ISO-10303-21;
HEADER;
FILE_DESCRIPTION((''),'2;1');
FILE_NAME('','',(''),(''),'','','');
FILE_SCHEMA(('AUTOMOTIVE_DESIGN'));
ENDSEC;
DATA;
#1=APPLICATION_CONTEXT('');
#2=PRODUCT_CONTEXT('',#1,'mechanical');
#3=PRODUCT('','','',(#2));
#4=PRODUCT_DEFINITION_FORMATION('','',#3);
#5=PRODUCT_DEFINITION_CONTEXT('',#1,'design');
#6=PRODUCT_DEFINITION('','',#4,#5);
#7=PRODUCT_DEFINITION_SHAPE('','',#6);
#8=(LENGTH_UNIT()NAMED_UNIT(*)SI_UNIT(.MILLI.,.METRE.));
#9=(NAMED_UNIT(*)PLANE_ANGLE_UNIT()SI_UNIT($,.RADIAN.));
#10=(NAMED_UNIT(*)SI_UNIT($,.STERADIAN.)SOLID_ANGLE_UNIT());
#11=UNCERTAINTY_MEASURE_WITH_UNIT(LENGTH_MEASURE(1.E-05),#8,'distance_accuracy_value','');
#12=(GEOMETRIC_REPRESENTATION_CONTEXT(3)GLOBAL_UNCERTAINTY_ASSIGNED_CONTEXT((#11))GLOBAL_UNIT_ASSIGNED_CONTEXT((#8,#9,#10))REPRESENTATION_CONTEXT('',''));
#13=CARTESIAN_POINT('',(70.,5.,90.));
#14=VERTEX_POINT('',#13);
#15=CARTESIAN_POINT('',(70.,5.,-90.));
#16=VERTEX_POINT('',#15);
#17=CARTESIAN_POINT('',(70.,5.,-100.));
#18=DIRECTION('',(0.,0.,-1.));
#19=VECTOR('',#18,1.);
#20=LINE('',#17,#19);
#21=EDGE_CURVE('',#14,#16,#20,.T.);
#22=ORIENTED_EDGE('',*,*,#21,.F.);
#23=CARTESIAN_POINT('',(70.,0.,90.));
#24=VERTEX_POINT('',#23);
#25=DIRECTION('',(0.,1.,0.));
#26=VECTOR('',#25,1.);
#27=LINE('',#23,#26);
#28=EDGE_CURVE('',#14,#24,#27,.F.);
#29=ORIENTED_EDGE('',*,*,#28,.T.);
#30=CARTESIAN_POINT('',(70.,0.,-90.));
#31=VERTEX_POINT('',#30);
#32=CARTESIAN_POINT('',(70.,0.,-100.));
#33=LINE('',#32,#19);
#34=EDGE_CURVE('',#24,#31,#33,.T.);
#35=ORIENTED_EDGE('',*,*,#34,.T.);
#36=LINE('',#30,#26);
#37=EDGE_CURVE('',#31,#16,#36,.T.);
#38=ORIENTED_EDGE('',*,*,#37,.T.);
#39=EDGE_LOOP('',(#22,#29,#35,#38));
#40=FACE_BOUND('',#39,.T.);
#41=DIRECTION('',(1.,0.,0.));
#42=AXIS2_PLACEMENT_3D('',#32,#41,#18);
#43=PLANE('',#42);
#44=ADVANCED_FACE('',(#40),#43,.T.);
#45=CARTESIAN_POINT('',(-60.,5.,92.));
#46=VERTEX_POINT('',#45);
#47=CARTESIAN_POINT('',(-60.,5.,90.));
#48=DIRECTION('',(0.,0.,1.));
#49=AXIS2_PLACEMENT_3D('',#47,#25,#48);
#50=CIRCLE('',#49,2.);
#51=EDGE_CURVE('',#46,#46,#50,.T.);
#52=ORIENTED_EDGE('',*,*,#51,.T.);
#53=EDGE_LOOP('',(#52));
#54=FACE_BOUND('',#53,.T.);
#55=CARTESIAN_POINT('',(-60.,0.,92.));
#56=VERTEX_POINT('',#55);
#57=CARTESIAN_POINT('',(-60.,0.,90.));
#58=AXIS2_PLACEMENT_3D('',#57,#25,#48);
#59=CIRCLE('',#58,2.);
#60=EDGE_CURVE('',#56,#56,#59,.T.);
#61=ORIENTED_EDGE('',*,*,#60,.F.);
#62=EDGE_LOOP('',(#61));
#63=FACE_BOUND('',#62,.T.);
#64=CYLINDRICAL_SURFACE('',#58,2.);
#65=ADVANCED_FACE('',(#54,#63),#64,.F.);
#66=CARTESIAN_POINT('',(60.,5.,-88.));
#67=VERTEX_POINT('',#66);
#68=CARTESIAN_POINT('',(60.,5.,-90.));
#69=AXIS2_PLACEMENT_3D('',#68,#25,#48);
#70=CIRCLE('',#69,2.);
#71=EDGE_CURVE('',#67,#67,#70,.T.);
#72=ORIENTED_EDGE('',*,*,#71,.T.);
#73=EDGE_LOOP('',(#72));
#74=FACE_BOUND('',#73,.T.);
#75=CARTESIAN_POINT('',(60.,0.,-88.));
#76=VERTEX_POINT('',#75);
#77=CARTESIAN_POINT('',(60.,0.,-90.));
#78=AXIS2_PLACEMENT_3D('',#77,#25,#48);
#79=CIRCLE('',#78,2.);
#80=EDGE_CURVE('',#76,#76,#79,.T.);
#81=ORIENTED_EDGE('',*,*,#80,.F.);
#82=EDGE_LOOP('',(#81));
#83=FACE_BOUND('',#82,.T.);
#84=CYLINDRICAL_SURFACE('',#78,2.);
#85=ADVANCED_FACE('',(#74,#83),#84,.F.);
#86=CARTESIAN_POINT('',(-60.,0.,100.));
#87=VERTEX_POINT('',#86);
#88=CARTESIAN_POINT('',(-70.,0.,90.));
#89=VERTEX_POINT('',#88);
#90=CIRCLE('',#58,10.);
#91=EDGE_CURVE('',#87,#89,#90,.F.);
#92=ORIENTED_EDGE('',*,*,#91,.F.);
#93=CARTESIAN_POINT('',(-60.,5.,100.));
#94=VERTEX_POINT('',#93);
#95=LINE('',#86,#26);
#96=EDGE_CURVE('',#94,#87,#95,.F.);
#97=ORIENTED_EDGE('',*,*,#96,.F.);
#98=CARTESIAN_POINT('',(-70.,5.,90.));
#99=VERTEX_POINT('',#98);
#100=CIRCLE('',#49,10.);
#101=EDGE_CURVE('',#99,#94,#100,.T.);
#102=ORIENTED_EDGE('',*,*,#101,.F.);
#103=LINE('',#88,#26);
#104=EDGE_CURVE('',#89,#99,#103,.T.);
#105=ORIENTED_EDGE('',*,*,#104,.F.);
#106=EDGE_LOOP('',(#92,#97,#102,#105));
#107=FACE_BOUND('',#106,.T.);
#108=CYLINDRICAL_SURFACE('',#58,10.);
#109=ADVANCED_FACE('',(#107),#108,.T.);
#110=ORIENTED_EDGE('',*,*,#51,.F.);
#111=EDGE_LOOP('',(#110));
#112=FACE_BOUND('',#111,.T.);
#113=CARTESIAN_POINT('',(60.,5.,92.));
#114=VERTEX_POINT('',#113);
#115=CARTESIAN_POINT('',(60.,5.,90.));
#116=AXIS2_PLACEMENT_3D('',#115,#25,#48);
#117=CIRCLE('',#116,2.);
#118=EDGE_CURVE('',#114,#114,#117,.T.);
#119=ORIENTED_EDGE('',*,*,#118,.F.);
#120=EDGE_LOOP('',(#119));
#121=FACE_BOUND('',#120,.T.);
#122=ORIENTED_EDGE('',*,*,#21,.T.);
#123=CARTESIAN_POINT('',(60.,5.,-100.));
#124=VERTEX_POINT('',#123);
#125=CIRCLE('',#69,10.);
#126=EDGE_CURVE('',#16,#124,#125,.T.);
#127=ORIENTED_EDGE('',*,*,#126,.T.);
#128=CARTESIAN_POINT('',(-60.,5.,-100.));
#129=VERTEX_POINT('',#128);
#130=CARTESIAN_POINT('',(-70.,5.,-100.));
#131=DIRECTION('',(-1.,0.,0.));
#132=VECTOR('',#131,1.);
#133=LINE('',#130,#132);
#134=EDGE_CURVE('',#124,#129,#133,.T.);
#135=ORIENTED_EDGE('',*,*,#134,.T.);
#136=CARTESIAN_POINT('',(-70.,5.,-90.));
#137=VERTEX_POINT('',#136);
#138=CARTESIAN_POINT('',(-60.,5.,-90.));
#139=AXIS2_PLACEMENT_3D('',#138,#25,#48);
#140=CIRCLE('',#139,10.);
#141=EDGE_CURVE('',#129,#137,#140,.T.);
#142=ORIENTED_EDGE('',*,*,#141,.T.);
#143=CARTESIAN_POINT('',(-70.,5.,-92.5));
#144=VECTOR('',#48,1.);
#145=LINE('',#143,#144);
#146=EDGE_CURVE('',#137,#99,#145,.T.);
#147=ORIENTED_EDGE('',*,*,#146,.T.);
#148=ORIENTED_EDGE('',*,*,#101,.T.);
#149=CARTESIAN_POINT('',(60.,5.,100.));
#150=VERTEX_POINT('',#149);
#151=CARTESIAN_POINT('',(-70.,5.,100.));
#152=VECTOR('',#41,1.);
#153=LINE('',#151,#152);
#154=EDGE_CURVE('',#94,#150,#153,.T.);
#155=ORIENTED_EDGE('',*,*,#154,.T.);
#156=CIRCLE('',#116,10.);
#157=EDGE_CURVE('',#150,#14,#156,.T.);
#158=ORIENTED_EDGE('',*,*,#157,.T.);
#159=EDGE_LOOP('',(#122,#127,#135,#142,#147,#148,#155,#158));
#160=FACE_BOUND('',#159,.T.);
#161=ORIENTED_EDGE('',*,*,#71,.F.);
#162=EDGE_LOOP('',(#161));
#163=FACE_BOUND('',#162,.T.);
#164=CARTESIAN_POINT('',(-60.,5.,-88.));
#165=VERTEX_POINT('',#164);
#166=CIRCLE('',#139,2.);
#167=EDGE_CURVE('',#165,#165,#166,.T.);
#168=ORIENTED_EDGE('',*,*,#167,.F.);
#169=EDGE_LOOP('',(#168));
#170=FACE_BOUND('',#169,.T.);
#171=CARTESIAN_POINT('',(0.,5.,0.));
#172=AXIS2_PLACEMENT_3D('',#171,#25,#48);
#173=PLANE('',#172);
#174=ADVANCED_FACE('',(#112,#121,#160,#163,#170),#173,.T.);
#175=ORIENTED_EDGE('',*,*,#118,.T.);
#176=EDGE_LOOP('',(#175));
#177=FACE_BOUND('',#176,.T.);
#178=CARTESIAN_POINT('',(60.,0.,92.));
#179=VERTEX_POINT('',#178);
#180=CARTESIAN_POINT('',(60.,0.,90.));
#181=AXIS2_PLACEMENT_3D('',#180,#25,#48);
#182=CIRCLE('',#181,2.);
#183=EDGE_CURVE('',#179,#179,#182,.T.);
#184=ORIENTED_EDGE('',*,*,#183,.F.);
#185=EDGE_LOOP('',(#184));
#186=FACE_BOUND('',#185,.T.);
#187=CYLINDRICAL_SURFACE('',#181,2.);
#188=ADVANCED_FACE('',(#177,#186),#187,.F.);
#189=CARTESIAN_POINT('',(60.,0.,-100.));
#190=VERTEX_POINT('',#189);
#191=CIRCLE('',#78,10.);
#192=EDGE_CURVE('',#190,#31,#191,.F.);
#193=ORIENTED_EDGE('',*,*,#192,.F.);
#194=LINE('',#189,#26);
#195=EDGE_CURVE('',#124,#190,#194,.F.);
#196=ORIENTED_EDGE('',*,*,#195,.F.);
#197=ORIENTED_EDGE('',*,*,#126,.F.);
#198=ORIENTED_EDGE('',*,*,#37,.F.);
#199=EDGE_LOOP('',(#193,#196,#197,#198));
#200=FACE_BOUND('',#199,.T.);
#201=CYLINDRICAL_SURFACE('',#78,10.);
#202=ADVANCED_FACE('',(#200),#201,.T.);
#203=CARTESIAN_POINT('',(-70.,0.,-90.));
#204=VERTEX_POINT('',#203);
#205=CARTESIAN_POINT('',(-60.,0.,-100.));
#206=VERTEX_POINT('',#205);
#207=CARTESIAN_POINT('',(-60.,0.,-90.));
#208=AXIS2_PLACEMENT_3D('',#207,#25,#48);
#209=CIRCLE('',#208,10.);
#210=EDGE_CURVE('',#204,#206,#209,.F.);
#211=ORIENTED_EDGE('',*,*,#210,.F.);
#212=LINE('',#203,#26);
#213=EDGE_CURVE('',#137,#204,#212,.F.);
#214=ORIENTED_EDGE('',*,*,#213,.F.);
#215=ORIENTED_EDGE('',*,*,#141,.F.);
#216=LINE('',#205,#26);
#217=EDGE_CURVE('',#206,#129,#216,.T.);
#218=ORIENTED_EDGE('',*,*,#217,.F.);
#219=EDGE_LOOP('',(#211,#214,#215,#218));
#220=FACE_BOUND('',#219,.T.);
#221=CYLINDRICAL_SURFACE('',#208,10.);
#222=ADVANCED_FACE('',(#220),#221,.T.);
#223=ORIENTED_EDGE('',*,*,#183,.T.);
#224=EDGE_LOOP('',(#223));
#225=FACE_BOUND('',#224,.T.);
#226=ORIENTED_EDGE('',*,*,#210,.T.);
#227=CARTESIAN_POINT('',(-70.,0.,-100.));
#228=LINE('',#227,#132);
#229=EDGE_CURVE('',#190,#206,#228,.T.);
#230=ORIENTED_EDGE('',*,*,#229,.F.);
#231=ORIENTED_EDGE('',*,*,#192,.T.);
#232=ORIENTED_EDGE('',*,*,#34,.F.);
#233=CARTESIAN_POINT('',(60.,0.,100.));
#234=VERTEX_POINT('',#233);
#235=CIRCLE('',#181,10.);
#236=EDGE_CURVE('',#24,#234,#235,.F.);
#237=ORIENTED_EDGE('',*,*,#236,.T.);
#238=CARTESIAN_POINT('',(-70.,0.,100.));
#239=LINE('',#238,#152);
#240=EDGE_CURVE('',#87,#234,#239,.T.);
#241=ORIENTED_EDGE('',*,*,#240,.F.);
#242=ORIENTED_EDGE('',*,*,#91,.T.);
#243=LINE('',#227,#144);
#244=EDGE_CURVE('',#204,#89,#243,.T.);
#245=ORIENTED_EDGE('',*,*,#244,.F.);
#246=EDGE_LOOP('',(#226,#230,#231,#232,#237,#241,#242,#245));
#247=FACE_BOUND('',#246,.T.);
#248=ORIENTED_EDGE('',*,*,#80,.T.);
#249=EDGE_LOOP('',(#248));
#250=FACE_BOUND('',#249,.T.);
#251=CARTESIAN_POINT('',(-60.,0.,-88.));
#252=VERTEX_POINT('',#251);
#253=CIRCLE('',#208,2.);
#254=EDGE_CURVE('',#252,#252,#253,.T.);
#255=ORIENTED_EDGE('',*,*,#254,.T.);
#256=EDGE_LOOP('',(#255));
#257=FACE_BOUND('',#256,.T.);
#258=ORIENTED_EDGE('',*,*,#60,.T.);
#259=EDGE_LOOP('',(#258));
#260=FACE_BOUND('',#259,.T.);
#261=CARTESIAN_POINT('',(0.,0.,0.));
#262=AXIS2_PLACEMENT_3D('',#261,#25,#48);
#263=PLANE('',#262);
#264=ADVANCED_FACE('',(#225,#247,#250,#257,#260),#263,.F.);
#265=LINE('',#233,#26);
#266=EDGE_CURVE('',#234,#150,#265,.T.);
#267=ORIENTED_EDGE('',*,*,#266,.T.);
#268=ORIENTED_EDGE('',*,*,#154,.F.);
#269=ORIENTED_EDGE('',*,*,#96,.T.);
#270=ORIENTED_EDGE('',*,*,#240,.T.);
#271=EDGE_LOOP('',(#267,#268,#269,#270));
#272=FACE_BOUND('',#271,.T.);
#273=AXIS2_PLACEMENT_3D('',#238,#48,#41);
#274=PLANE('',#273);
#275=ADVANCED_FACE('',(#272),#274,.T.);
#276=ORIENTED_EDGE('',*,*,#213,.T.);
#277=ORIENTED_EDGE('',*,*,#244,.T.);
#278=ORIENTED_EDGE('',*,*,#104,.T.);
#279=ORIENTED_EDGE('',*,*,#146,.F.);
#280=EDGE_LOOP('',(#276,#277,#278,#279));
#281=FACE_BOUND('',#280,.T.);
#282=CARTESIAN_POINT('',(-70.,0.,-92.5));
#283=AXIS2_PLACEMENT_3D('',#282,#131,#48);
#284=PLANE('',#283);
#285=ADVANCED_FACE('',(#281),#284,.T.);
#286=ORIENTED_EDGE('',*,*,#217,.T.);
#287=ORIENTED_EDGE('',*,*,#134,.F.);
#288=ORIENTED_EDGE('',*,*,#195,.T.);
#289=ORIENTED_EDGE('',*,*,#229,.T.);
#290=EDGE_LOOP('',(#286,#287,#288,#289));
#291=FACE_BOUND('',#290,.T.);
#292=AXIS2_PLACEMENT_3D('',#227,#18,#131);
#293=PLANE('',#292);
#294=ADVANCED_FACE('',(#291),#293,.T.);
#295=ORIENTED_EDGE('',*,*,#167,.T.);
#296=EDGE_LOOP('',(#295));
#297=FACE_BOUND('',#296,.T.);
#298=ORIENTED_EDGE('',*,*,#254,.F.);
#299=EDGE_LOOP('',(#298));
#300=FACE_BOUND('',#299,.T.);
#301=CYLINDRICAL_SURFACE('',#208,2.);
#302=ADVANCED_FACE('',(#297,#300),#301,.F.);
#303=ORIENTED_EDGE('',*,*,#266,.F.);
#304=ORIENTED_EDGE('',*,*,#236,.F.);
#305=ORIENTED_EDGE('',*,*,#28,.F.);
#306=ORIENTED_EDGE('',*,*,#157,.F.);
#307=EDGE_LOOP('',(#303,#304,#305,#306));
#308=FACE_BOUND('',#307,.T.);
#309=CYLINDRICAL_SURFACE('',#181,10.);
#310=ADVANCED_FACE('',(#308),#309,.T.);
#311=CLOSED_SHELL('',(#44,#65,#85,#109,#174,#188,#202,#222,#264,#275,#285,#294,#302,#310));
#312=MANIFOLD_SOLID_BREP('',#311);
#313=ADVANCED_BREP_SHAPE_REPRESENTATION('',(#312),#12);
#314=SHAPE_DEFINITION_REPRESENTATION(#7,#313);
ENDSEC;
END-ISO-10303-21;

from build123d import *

# Parameters (mm, degrees)
SKETCH_1_W               = 180
SKETCH_1_H               = 180
EXTRUDE_1_DEPTH          = 5
SKETCH_2_W               = 180
SKETCH_2_H               = 2.5
EXTRUDE_2_DEPTH          = 5
CUT_EXTRUDE_1_DEPTH      = 130.155913531
CUT_EXTRUDE_1_DEPTH_BACK = 130.155913531
SKETCH_3_R               = 2.65
SKETCH_3_W               = 12.5
SKETCH_3_H               = 182.5
SKETCH_4_W               = 167.5
SKETCH_4_H               = 2.5
EXTRUDE_3_DEPTH          = 5
FILLET_1_R               = 10
SKETCH_5_R               = 5.825636989
EXTRUDE_4_DEPTH          = 5
CUT_EXTRUDE_2_DEPTH      = 130.155913531
CUT_EXTRUDE_2_DEPTH_BACK = 130.155913531
SKETCH_6_R               = 1.5
EXTRUDE_5_DEPTH          = 5
CUT_EXTRUDE_3_DEPTH      = 135.629120178
CUT_EXTRUDE_3_DEPTH_BACK = 135.629120178
FILLET_2_R               = 10
CUT_EXTRUDE_4_DEPTH      = 123.167917229
CUT_EXTRUDE_4_DEPTH_BACK = 123.167917229
SKETCH_9_R               = 2


with BuildPart() as part:
    # 草图1 → 凸台-拉伸1 (new body)
    with BuildSketch(Plane(origin=(0, 0, 0), x_dir=(1, 0, 0), z_dir=(0, 1, 0))):
        Rectangle(SKETCH_1_W, SKETCH_1_H)
    extrude(amount=EXTRUDE_1_DEPTH)

    # 草图2 → 凸台-拉伸2 (add)
    with BuildSketch(Plane(origin=(0, 5, 0), x_dir=(1, 0, 0), z_dir=(0, 1, 0))):
        with Locations((0, 91.25)):
            Rectangle(SKETCH_2_W, SKETCH_2_H)
    extrude(amount=-EXTRUDE_2_DEPTH)

    # 草图3 → 切除-拉伸1 (cut, two sides: drawn at the far end of the back side and taken through both)
    with BuildSketch(Plane(origin=(0, 5, 0), x_dir=(1, 0, 0), z_dir=(0, 1, 0)).offset(-CUT_EXTRUDE_1_DEPTH_BACK)):
        with Locations(Location((70, 80, 0), (0, 0, 270))):
            Circle(SKETCH_3_R)
        with Locations((83.75, 1.25)):
            Rectangle(SKETCH_3_W, SKETCH_3_H)
    extrude(amount=CUT_EXTRUDE_1_DEPTH + CUT_EXTRUDE_1_DEPTH_BACK, mode=Mode.SUBTRACT)

    # 草图4 → 凸台-拉伸3 (add)
    with BuildSketch(Plane(origin=(0, 5, 0), x_dir=(1, 0, 0), z_dir=(0, 1, 0))):
        with Locations((-6.25, -91.25)):
            Rectangle(SKETCH_4_W, SKETCH_4_H)
    extrude(amount=-EXTRUDE_3_DEPTH)

    # 圆角1
    fillet_1_edges = [part.edges().sort_by_distance(p)[0] for p in [
        (-90, 2.5, -92.5),
        (77.5, 2.5, -92.5),
        (77.5, 2.5, 92.5),
        (-90, 2.5, 92.5),
    ]]
    fillet(fillet_1_edges, radius=FILLET_1_R)

    # 草图5 → 凸台-拉伸4 (add)
    with BuildSketch(Plane(origin=(0, 5, 0), x_dir=(1, 0, 0), z_dir=(0, 1, 0))):
        with Locations((70, 80)):
            Circle(SKETCH_5_R)
    extrude(amount=-EXTRUDE_4_DEPTH)

    # 草图6 → 切除-拉伸2 (cut, two sides: drawn at the far end of the back side and taken through both)
    with BuildSketch(Plane(origin=(0, 5, 0), x_dir=(1, 0, 0), z_dir=(0, 1, 0)).offset(-CUT_EXTRUDE_2_DEPTH_BACK)):
        with Locations(Location((-82.5, 85, 0), (0, 0, 270))):
            Circle(SKETCH_6_R)
        with Locations(Location((70, 80, 0), (0, 0, 270))):
            Circle(SKETCH_6_R)
        with Locations(Location((-82.5, -85, 0), (0, 0, 270))):
            Circle(SKETCH_6_R)
        with Locations(Location((70, -80, 0), (0, 0, 270))):
            Circle(SKETCH_6_R)
    extrude(amount=CUT_EXTRUDE_2_DEPTH + CUT_EXTRUDE_2_DEPTH_BACK, mode=Mode.SUBTRACT)

    # 草图7 → 凸台-拉伸5 (add)
    with BuildSketch(Plane(origin=(0, 5, 0), x_dir=(1, 0, 0), z_dir=(0, 1, 0))):
        Polygon((-70, 100), (-70, 95.617586071), (-70, 92.5), (-70, -100), (70, -100), (70, 100), align=None)
    extrude(amount=-EXTRUDE_5_DEPTH)

    # 草图8 → 切除-拉伸3 (cut, two sides: drawn at the far end of the back side and taken through both)
    with BuildSketch(Plane(origin=(0, 5, 0), x_dir=(1, 0, 0), z_dir=(0, 1, 0)).offset(-CUT_EXTRUDE_3_DEPTH_BACK)):
        Polygon((-70, 100), (-70, -100), (-179.825652947, -100), (-179.825652947, 129.381792423), align=None)
        Polygon((70, 100), (70, -100), (197.420194338, -114.575162325), (173.755325689, 114.690896211), align=None)
    extrude(amount=CUT_EXTRUDE_3_DEPTH + CUT_EXTRUDE_3_DEPTH_BACK, mode=Mode.SUBTRACT)

    # 圆角2
    fillet_2_edges = [part.edges().sort_by_distance(p)[0] for p in [
        (70, 2.5, -100),
        (-70, 2.5, -100),
        (70, 2.5, 100),
        (-70, 2.5, 100),
    ]]
    fillet(fillet_2_edges, radius=FILLET_2_R)

    # 草图9 → 切除-拉伸4 (cut, two sides: drawn at the far end of the back side and taken through both)
    with BuildSketch(Plane(origin=(0, 5, 0), x_dir=(1, 0, 0), z_dir=(0, 1, 0)).offset(-CUT_EXTRUDE_4_DEPTH_BACK)):
        with Locations(Location((-60, 90, 0), (0, 0, 270))):
            Circle(SKETCH_9_R)
        with Locations(Location((60, 90, 0), (0, 0, 270))):
            Circle(SKETCH_9_R)
        with Locations(Location((-60, -90, 0), (0, 0, 270))):
            Circle(SKETCH_9_R)
        with Locations(Location((60, -90, 0), (0, 0, 270))):
            Circle(SKETCH_9_R)
    extrude(amount=CUT_EXTRUDE_4_DEPTH + CUT_EXTRUDE_4_DEPTH_BACK, mode=Mode.SUBTRACT)


solid = part.part
